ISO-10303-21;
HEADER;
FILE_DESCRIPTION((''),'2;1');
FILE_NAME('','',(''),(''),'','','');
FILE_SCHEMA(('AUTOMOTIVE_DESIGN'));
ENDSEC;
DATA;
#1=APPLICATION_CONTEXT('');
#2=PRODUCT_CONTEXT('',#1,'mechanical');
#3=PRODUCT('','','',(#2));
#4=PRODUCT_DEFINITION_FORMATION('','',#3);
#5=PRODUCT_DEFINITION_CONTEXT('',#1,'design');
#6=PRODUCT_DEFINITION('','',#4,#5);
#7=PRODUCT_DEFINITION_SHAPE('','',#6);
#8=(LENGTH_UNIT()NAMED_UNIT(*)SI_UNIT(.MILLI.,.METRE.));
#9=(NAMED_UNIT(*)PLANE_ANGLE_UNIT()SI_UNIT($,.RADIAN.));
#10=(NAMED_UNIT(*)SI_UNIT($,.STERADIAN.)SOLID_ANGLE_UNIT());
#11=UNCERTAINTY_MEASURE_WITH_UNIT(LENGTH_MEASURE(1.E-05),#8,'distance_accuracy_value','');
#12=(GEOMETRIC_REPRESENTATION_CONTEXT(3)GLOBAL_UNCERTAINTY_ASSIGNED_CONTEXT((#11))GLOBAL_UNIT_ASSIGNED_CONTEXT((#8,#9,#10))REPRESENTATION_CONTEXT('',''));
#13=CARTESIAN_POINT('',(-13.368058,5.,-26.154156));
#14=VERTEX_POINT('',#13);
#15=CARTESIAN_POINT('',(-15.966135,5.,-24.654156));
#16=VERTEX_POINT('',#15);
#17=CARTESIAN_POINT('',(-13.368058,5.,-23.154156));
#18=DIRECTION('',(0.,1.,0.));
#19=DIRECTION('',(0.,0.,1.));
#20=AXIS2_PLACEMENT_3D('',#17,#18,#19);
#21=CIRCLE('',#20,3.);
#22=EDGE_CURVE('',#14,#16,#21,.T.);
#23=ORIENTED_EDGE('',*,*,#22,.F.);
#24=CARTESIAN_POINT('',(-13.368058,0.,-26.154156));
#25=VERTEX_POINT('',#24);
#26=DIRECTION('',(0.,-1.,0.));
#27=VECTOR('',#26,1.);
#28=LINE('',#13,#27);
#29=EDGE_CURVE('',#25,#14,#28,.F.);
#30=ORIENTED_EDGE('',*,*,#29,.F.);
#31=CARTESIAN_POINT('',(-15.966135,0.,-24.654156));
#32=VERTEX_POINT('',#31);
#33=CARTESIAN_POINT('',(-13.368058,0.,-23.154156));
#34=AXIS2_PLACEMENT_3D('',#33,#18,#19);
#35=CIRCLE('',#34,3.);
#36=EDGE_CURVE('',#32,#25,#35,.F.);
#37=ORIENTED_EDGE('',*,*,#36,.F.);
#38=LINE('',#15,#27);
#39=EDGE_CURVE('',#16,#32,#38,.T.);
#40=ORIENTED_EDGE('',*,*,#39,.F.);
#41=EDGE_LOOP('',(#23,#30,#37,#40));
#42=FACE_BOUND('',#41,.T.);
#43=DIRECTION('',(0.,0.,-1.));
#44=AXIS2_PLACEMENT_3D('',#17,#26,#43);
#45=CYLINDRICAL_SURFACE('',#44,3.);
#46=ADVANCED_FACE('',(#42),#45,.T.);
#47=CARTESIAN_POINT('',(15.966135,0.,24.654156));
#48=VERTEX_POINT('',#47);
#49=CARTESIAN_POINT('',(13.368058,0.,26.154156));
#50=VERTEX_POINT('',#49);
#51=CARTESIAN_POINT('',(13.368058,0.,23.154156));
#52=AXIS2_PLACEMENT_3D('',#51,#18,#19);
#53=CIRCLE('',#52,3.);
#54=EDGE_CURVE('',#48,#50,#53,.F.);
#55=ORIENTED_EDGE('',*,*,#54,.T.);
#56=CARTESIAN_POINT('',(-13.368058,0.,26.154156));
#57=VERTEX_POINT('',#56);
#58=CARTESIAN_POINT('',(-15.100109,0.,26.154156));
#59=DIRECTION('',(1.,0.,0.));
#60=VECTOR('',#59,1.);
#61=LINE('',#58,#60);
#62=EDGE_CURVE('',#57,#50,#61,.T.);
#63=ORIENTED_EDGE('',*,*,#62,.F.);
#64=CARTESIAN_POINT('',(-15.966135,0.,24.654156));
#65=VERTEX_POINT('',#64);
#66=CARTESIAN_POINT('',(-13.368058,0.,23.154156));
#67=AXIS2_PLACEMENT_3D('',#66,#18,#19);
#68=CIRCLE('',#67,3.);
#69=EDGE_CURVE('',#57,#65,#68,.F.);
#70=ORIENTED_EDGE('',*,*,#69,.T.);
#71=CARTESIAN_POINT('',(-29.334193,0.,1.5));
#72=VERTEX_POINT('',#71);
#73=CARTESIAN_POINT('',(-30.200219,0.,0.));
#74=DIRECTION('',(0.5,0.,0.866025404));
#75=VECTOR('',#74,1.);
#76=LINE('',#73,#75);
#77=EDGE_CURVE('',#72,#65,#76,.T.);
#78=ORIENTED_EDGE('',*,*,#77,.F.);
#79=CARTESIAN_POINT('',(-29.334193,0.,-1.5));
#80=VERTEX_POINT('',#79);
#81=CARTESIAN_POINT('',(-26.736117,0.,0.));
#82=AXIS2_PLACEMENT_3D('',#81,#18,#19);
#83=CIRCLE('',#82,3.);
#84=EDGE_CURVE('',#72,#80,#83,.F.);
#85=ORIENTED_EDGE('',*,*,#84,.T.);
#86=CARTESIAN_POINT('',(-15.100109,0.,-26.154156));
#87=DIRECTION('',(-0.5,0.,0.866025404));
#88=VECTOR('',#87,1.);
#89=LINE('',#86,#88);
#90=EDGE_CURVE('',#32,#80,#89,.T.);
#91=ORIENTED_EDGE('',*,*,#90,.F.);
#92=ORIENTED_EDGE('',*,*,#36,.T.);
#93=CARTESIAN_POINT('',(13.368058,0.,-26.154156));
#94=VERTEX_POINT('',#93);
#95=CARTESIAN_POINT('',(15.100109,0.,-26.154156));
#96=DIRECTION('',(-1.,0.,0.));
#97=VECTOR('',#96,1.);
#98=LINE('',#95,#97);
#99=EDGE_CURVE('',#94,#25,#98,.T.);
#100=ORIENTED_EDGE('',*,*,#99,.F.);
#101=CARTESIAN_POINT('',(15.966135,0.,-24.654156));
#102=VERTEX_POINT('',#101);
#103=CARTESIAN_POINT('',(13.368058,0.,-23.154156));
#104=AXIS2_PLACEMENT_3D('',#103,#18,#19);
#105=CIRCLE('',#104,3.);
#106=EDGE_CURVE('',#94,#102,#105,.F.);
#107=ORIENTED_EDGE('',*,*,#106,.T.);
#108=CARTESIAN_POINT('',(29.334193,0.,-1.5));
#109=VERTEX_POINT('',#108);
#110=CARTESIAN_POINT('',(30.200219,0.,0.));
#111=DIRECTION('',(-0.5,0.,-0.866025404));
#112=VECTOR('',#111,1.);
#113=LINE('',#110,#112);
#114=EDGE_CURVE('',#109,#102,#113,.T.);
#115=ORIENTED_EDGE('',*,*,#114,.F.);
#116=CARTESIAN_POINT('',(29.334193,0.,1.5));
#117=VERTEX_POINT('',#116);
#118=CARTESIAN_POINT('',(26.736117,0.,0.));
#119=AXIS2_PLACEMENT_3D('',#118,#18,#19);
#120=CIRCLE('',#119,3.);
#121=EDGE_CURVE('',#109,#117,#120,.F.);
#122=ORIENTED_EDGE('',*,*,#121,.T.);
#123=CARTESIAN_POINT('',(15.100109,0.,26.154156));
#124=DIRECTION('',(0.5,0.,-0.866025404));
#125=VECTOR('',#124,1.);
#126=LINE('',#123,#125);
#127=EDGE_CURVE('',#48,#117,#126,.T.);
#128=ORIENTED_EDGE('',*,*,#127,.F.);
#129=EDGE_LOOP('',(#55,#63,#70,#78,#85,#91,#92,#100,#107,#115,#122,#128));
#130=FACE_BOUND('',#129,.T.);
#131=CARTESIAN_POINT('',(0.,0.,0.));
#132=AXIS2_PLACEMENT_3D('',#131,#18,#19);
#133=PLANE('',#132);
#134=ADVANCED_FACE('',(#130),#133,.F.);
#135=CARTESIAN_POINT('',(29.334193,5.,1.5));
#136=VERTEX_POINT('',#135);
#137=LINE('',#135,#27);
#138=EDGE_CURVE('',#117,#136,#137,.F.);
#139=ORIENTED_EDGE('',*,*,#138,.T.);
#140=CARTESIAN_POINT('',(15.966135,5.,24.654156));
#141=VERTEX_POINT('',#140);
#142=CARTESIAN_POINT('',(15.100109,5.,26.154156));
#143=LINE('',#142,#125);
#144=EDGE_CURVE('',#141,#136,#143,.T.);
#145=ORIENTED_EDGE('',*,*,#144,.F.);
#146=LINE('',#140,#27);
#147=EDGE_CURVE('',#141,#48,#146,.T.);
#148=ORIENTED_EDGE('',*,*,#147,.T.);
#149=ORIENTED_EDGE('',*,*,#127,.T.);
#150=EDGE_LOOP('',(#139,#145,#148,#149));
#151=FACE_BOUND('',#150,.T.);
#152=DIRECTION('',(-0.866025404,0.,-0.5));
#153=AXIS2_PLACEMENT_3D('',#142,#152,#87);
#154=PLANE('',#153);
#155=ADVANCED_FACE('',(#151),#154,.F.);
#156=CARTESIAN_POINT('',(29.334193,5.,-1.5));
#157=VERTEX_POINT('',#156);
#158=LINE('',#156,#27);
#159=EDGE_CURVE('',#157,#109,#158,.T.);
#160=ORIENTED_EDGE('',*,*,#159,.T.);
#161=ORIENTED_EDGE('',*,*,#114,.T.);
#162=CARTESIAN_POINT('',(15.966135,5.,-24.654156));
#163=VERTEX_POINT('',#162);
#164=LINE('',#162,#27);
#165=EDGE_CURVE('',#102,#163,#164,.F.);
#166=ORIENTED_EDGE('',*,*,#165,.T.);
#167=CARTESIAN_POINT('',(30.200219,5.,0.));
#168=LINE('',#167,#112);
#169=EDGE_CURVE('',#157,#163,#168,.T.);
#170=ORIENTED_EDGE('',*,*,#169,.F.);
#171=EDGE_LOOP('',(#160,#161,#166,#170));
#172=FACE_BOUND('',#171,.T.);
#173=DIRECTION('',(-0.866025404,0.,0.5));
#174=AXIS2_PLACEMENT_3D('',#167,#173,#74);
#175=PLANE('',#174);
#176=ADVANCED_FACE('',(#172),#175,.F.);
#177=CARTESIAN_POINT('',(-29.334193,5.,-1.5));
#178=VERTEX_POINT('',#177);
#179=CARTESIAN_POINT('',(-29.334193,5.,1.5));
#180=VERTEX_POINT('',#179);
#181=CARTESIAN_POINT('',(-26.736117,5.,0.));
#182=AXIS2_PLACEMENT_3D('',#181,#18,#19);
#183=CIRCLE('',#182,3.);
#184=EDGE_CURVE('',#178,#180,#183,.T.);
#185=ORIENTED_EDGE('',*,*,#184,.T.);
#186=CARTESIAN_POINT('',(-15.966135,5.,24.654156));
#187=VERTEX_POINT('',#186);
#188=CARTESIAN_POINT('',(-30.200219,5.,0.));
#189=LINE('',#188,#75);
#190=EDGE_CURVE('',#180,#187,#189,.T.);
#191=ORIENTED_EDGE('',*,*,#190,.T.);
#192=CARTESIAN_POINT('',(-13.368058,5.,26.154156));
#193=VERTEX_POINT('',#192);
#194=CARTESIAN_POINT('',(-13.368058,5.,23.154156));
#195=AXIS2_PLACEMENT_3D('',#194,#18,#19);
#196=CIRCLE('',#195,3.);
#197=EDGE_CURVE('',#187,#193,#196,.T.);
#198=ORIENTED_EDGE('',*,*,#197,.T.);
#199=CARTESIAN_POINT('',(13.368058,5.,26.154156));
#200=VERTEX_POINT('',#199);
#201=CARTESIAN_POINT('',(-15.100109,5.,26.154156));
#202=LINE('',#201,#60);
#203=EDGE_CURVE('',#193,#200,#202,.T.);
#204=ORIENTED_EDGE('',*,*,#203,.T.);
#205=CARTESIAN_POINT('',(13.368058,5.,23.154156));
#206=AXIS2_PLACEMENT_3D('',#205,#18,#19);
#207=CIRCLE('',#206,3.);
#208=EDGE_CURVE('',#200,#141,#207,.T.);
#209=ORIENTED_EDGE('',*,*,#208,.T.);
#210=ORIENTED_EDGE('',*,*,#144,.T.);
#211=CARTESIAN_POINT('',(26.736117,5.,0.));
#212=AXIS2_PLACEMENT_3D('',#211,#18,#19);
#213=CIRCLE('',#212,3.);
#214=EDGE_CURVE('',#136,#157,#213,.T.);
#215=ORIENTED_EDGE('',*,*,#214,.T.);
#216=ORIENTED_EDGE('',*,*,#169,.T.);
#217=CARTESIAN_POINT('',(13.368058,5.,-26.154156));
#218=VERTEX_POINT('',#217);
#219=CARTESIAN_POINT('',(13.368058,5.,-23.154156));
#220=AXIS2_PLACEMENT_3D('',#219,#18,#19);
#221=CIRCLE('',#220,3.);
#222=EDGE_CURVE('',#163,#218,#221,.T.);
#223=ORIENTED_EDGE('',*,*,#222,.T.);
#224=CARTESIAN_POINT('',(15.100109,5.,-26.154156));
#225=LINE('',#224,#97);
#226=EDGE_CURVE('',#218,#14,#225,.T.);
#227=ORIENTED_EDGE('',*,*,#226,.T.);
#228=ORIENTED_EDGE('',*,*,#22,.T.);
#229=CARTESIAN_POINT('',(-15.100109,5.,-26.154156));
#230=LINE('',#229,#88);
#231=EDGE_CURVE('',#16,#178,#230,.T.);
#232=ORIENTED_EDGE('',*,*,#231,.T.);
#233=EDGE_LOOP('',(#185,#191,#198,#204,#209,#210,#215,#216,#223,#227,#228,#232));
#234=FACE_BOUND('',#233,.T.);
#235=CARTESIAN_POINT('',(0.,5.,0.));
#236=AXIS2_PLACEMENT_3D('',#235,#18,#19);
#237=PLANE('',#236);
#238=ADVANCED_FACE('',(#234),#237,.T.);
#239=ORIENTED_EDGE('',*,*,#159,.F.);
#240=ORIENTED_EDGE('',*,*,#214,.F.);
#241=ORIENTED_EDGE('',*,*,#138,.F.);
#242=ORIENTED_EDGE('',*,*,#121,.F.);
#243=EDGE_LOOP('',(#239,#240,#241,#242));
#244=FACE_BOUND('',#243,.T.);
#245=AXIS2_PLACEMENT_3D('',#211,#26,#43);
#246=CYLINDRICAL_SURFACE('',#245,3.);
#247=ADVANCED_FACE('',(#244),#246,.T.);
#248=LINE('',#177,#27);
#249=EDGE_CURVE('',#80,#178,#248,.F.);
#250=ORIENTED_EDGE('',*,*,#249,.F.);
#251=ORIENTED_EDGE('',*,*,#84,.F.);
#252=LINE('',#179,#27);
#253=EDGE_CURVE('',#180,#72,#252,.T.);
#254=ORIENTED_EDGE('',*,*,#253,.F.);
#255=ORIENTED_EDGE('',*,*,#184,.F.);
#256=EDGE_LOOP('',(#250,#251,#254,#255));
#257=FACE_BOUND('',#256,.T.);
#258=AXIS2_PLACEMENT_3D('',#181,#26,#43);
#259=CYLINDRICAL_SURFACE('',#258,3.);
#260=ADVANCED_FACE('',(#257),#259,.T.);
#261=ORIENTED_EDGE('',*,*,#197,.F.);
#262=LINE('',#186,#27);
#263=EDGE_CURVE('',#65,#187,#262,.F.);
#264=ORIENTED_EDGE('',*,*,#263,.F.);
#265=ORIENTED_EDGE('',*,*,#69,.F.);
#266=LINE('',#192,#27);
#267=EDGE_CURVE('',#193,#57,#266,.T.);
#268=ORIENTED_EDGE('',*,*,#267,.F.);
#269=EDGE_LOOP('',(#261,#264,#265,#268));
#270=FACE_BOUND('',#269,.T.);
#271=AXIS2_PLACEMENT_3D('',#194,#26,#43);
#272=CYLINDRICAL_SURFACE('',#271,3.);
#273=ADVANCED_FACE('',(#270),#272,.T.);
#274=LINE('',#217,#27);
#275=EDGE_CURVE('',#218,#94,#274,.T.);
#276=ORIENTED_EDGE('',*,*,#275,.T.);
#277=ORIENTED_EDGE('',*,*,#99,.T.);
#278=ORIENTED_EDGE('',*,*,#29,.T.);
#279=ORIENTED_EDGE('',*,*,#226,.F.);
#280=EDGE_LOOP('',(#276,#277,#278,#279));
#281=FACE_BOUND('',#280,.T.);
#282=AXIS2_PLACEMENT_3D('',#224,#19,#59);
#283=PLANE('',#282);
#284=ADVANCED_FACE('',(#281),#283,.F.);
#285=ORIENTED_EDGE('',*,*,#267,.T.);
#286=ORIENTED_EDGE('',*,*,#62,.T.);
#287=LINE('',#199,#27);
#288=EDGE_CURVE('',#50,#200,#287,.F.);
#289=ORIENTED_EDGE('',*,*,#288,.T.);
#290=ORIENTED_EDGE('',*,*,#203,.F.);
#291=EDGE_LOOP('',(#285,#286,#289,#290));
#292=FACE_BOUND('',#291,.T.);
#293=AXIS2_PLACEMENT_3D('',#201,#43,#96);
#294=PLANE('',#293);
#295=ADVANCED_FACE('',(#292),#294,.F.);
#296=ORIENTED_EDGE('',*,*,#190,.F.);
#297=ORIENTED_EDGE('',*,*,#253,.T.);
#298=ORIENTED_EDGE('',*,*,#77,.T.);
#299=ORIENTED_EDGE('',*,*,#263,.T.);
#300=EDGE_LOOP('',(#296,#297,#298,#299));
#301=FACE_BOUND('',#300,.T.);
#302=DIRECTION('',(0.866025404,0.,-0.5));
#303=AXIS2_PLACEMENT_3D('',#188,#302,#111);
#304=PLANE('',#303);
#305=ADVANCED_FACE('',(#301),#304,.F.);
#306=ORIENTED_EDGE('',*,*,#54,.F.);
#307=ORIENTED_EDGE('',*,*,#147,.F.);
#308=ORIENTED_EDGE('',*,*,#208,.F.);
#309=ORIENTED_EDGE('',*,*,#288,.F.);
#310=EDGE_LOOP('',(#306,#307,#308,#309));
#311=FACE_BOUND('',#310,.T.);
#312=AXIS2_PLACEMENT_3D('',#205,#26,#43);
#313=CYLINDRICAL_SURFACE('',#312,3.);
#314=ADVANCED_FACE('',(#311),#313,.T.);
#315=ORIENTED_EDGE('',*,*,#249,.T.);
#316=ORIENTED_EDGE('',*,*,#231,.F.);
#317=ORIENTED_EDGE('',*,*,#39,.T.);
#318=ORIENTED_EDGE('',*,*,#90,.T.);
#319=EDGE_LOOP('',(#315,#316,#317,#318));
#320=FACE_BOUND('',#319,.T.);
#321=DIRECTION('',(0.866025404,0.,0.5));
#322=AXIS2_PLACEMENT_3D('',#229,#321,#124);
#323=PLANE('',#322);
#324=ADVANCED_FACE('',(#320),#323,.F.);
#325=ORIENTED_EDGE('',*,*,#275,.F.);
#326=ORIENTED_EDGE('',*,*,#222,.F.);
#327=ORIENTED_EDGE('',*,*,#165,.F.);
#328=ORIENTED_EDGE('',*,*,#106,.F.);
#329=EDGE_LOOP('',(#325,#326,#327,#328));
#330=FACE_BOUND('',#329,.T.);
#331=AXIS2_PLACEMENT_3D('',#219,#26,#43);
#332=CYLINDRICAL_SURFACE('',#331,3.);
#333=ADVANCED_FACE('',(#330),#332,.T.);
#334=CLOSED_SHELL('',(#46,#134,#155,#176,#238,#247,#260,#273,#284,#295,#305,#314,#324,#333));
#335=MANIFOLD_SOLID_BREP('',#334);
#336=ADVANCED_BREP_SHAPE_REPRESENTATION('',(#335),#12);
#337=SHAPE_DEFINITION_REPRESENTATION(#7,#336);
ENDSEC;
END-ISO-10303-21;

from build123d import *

# Parameters (mm, degrees)
BOSS_EXTRUDE1_DEPTH = 5
FILLET1_R           = 3


with BuildPart() as part:
    # Sketch1 → Boss-Extrude1 (new body)
    with BuildSketch(Plane(origin=(0, 0, 0), x_dir=(1, 0, 0), z_dir=(0, 1, 0))):
        Polygon((-30.200218536, 0), (-15.100109268, -26.154156452), (15.100109268, -26.154156452), (30.200218536, 0), (15.100109268, 26.154156452), (-15.100109268, 26.154156452), align=None)
    extrude(amount=BOSS_EXTRUDE1_DEPTH)

    # Fillet1
    fillet1_edges = [part.edges().sort_by_distance(p)[0] for p in [
        (-15.100109268, 2.5, -26.154156452),
        (15.100109268, 2.5, -26.154156452),
        (30.200218536, 2.5, 0),
        (15.100109268, 2.5, 26.154156452),
        (-15.100109268, 2.5, 26.154156452),
        (-30.200218536, 2.5, 0),
    ]]
    fillet(fillet1_edges, radius=FILLET1_R)


solid = part.part
